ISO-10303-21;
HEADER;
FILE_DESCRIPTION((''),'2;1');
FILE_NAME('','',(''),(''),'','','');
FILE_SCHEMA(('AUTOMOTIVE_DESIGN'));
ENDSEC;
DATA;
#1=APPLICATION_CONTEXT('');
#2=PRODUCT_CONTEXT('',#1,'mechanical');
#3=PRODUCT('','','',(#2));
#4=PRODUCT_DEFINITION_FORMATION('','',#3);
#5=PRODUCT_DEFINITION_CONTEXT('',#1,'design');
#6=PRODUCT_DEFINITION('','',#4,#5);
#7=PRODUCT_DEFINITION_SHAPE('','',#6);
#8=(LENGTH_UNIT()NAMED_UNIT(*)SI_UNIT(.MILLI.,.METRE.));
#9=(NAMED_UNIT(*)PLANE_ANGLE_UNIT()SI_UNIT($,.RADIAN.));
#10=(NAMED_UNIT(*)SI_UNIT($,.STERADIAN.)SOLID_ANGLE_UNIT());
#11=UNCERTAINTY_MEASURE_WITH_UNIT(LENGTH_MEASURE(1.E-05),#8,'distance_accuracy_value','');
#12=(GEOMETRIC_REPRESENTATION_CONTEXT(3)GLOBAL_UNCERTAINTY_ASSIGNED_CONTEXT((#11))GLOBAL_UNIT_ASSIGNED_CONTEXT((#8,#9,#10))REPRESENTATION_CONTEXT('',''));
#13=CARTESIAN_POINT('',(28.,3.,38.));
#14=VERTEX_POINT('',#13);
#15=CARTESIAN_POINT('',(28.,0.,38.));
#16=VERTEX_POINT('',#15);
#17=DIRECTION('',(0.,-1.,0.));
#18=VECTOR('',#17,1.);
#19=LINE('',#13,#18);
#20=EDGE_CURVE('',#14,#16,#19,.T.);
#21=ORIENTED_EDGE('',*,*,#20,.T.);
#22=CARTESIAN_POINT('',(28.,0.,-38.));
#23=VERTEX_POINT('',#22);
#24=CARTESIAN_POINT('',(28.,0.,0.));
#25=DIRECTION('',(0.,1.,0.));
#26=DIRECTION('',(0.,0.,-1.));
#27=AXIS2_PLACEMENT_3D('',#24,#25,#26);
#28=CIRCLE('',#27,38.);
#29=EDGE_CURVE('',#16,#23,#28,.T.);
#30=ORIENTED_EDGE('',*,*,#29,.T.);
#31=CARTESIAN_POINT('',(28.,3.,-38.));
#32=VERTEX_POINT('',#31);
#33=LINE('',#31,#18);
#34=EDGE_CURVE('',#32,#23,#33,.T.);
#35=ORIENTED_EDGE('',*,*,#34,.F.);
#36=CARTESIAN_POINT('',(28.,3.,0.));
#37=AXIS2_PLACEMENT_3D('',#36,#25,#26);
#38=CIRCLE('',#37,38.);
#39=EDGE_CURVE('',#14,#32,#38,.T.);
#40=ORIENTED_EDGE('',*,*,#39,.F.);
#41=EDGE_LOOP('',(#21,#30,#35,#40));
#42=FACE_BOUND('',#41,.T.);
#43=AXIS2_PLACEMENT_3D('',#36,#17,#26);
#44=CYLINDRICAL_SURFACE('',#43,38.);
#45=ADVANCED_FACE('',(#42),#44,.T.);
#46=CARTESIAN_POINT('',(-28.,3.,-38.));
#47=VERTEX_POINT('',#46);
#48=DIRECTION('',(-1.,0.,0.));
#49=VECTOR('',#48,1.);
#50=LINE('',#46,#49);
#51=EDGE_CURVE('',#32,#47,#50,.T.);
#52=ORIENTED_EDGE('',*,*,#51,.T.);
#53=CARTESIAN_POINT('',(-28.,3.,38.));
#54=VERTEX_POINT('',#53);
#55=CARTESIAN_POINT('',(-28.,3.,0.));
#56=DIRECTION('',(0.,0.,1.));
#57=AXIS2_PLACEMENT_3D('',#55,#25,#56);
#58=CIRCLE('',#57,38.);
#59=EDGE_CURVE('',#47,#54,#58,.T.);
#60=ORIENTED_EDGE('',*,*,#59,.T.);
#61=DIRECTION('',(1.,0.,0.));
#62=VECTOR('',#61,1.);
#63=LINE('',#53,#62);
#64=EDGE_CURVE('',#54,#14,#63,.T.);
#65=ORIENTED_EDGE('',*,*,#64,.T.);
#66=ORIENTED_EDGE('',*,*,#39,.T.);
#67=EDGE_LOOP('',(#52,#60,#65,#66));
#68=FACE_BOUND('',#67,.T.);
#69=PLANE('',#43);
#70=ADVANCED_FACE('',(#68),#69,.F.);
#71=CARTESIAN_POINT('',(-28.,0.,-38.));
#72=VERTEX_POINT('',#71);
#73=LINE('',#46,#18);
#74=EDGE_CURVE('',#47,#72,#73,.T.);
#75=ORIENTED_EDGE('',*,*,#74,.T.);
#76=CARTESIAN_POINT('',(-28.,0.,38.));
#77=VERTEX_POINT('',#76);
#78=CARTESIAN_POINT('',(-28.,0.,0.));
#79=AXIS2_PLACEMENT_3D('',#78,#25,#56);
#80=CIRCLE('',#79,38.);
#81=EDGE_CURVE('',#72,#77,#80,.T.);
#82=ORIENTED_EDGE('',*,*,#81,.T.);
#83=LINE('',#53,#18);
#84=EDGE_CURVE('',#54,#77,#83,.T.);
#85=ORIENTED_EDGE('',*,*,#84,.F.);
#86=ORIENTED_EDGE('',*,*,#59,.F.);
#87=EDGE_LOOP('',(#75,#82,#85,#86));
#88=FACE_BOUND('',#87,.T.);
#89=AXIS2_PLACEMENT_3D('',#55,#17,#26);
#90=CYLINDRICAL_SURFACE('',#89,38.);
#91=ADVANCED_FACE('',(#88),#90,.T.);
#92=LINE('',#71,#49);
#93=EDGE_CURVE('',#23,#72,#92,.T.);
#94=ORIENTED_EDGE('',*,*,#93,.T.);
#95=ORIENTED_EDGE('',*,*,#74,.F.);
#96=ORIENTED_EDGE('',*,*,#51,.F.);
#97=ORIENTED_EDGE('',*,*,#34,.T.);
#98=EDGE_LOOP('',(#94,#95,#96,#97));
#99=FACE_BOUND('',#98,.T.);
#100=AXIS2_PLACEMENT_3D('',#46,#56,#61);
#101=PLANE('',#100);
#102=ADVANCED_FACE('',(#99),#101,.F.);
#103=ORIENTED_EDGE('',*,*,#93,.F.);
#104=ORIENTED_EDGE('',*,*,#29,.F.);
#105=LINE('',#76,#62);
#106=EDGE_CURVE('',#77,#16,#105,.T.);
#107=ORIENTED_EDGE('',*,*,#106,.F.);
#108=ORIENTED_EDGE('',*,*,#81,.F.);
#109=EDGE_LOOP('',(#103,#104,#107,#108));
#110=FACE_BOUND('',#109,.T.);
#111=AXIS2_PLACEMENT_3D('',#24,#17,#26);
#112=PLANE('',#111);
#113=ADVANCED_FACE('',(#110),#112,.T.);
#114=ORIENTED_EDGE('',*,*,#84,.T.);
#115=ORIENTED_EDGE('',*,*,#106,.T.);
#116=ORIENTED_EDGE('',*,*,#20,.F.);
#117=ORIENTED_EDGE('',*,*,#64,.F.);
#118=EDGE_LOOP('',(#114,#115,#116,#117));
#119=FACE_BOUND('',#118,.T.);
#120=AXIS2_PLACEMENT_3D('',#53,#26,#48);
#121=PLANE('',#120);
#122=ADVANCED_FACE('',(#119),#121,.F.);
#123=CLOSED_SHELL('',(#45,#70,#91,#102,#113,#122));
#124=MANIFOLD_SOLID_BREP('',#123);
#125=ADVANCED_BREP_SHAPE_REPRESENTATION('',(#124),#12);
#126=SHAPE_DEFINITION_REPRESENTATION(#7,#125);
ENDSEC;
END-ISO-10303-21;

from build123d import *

# Parameters (mm, degrees)
BOSS_EXTRUDE1_DEPTH = 3


with BuildPart() as part:
    # Sketch2 → Boss-Extrude1 (new body)
    with BuildSketch(Plane(origin=(0, 0, 0), x_dir=(1, 0, 0), z_dir=(0, 1, 0))):
        with BuildLine():
            Line((-28, 38), (28, 38))
            ThreePointArc((28, 38), (66, 0), (28, -38))
            Line((28, -38), (-28, -38))
            ThreePointArc((-28, -38), (-66, 0), (-28, 38))
        make_face()
    extrude(amount=BOSS_EXTRUDE1_DEPTH)


solid = part.part
